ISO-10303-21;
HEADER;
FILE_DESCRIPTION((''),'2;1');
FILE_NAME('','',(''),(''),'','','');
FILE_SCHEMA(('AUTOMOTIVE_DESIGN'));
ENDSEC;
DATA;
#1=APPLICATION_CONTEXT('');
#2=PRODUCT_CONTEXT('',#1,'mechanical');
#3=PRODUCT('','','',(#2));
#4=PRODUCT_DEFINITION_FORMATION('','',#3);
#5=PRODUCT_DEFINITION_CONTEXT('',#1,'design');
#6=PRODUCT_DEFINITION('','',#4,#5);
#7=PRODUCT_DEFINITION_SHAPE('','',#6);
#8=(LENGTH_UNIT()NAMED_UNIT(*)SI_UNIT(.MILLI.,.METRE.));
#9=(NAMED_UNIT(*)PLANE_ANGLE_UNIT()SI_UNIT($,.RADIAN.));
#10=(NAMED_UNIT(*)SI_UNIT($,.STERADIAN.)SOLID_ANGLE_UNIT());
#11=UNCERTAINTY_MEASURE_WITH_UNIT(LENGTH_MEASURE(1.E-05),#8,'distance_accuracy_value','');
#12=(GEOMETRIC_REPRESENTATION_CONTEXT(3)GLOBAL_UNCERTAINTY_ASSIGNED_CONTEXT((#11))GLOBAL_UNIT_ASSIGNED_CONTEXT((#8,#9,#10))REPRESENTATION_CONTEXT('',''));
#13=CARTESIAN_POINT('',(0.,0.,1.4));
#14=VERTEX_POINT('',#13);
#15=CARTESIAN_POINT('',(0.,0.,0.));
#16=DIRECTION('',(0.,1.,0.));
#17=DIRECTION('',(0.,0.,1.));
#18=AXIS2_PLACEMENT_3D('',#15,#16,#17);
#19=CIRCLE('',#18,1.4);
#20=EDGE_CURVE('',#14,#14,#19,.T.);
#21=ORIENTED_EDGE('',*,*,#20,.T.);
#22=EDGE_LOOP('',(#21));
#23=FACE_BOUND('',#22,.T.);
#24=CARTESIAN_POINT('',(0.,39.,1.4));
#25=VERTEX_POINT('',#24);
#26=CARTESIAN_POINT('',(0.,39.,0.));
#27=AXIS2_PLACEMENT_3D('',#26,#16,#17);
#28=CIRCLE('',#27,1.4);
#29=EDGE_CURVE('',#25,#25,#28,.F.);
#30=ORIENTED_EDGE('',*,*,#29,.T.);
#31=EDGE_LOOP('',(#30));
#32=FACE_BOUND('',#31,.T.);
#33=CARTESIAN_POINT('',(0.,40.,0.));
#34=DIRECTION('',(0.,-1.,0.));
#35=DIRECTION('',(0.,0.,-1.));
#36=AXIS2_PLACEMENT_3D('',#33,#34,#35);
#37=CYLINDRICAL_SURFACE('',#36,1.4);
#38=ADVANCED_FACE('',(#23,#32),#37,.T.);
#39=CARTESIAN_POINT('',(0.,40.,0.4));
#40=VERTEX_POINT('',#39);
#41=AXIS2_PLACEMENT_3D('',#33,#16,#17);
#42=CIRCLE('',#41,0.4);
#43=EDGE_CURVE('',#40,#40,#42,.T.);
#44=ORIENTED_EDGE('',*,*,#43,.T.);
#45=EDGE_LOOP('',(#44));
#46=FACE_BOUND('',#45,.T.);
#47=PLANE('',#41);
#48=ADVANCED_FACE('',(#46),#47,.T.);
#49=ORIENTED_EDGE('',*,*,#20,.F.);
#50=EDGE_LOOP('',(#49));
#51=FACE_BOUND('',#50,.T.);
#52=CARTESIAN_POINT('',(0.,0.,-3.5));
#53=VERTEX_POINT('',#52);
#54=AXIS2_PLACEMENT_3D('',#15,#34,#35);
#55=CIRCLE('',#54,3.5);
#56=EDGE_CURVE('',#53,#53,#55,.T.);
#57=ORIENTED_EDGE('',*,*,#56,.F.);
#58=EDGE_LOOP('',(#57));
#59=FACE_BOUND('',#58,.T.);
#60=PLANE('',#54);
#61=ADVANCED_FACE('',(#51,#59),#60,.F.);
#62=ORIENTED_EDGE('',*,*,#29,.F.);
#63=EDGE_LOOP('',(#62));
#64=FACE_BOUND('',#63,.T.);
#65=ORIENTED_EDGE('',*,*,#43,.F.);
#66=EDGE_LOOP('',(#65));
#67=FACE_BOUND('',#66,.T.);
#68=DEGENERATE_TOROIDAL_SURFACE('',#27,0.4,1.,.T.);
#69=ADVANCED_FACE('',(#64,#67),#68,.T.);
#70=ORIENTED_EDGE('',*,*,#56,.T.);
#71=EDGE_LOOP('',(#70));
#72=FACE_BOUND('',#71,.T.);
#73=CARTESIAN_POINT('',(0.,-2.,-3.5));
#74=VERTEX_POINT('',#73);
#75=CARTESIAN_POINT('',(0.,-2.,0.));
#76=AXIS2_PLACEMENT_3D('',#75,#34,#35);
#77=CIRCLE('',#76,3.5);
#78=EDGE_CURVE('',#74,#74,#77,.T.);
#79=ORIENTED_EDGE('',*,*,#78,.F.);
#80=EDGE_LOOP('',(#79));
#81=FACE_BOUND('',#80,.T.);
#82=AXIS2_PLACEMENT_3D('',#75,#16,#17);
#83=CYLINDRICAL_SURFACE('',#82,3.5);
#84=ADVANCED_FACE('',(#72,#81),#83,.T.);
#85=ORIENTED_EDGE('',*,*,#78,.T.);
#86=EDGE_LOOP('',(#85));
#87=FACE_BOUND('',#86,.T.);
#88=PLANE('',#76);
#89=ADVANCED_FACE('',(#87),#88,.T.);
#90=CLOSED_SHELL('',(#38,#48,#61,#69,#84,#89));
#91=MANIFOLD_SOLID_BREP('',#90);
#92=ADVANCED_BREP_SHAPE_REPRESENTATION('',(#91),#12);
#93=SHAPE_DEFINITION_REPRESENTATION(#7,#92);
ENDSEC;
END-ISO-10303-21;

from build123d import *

# Parameters (mm, degrees)
SKETCH1_R           = 1.4
BOSS_EXTRUDE1_DEPTH = 40
SKETCH2_R           = 3.5
BOSS_EXTRUDE2_DEPTH = 2
FILLET2_R           = 1


with BuildPart() as part:
    # Sketch1 → Boss-Extrude1 (new body)
    with BuildSketch(Plane(origin=(0, 0, 0), x_dir=(1, 0, 0), z_dir=(0, 1, 0))):
        with Locations(Location((0, 0, 0), (0, 0, 270))):
            Circle(SKETCH1_R)
    extrude(amount=BOSS_EXTRUDE1_DEPTH)

    # Sketch2 → Boss-Extrude2 (add)
    with BuildSketch(Plane.XZ):
        with Locations(Location((0, 0, 0), (0, 0, 270))):
            Circle(SKETCH2_R)
    extrude(amount=BOSS_EXTRUDE2_DEPTH)

    # Fillet2
    fillet2_edges = [part.edges().sort_by_distance(p)[0] for p in [
        (0, 40, -1.4),
    ]]
    fillet(fillet2_edges, radius=FILLET2_R)


solid = part.part
